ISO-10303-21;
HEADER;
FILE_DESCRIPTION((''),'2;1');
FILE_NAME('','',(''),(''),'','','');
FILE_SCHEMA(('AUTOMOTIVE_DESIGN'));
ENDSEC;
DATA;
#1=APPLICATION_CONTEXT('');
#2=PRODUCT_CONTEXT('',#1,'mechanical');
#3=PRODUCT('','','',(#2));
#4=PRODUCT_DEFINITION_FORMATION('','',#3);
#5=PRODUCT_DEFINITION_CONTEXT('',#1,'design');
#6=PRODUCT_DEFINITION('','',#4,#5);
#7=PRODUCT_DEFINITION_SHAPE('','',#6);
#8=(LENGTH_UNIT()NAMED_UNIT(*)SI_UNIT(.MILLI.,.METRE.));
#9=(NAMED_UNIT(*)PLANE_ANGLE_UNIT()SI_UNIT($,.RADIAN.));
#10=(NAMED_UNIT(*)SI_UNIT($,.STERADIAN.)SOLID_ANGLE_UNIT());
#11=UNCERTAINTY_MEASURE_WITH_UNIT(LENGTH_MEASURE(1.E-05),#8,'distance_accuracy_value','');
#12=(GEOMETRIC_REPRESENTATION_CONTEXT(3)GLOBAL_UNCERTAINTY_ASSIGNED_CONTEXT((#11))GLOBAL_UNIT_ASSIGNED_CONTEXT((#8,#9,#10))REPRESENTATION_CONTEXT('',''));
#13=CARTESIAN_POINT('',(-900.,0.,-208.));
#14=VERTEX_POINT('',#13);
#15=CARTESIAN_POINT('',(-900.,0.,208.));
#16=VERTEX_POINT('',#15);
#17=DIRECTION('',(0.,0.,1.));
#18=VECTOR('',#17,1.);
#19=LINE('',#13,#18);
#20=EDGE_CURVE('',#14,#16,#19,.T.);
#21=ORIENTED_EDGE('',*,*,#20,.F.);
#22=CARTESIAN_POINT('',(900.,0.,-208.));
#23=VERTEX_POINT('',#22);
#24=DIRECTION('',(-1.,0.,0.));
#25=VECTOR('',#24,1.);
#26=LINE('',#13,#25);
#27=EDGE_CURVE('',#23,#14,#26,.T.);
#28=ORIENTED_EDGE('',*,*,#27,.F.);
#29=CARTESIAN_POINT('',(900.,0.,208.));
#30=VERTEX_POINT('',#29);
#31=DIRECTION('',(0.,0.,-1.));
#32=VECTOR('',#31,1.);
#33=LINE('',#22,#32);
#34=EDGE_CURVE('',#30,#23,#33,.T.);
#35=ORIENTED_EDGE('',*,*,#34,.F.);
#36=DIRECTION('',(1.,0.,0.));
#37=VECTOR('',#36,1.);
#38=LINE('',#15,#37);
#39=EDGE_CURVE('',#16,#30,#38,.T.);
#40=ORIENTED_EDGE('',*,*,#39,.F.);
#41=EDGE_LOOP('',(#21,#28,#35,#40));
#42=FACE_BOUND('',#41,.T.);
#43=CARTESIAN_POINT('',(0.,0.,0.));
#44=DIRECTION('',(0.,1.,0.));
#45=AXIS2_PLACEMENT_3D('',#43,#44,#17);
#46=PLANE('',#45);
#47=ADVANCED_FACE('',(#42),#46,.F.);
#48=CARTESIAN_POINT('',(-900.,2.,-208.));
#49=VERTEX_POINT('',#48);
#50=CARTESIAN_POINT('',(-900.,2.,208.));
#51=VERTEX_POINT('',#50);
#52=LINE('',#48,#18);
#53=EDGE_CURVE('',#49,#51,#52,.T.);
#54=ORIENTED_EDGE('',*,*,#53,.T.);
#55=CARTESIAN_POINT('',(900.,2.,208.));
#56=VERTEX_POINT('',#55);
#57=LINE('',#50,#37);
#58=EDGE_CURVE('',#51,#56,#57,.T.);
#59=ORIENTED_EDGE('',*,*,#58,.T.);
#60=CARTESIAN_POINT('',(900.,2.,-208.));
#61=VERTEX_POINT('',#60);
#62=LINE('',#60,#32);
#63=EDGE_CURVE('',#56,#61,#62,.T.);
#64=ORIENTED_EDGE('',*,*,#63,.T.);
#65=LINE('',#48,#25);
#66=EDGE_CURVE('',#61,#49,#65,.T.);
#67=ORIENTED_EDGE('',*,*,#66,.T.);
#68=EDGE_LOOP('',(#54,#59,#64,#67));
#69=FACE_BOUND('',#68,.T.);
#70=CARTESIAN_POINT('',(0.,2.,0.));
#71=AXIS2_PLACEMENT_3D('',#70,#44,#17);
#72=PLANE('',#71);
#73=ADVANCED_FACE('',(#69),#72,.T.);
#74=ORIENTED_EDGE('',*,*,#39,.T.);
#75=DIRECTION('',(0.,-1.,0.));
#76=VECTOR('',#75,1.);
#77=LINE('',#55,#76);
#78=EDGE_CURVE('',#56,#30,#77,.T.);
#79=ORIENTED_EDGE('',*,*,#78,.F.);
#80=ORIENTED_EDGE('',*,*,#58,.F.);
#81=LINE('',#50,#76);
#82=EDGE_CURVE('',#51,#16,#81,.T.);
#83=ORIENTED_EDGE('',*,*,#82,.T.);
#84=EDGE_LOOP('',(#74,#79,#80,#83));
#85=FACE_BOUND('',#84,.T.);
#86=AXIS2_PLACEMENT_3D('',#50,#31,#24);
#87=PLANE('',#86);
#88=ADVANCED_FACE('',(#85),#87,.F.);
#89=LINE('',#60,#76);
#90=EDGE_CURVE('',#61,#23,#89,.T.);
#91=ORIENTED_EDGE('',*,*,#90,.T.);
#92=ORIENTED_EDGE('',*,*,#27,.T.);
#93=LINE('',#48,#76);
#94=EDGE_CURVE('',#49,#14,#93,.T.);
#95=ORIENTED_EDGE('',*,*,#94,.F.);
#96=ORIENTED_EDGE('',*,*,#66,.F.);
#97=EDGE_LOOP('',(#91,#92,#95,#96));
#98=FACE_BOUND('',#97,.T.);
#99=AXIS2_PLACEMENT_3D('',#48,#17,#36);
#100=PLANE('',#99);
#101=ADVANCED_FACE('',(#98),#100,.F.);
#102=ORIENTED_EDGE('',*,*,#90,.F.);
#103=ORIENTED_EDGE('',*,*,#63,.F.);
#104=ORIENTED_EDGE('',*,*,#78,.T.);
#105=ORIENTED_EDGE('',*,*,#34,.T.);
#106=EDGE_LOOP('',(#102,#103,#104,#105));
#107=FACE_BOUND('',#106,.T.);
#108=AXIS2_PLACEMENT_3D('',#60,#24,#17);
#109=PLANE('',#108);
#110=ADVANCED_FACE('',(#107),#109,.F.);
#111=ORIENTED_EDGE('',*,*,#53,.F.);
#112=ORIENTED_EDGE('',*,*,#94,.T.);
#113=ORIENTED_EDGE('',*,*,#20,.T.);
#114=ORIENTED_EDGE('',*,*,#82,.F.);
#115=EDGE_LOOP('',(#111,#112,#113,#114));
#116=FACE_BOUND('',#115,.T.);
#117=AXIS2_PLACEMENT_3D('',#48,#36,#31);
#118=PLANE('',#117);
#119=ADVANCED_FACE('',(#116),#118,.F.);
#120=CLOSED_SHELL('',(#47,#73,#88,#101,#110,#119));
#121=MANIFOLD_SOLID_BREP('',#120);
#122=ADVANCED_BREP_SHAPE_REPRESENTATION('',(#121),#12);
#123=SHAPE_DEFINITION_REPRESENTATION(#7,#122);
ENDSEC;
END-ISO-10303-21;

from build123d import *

# Parameters (mm, degrees)
CROQUIS1_W              = 1800
CROQUIS1_H              = 416
SALIENTE_EXTRUIR1_DEPTH = 2


with BuildPart() as part:
    # Croquis1 → Saliente-Extruir1 (new body)
    with BuildSketch(Plane(origin=(0, 0, 0), x_dir=(1, 0, 0), z_dir=(0, 1, 0))):
        Rectangle(CROQUIS1_W, CROQUIS1_H)
    extrude(amount=SALIENTE_EXTRUIR1_DEPTH)


solid = part.part
